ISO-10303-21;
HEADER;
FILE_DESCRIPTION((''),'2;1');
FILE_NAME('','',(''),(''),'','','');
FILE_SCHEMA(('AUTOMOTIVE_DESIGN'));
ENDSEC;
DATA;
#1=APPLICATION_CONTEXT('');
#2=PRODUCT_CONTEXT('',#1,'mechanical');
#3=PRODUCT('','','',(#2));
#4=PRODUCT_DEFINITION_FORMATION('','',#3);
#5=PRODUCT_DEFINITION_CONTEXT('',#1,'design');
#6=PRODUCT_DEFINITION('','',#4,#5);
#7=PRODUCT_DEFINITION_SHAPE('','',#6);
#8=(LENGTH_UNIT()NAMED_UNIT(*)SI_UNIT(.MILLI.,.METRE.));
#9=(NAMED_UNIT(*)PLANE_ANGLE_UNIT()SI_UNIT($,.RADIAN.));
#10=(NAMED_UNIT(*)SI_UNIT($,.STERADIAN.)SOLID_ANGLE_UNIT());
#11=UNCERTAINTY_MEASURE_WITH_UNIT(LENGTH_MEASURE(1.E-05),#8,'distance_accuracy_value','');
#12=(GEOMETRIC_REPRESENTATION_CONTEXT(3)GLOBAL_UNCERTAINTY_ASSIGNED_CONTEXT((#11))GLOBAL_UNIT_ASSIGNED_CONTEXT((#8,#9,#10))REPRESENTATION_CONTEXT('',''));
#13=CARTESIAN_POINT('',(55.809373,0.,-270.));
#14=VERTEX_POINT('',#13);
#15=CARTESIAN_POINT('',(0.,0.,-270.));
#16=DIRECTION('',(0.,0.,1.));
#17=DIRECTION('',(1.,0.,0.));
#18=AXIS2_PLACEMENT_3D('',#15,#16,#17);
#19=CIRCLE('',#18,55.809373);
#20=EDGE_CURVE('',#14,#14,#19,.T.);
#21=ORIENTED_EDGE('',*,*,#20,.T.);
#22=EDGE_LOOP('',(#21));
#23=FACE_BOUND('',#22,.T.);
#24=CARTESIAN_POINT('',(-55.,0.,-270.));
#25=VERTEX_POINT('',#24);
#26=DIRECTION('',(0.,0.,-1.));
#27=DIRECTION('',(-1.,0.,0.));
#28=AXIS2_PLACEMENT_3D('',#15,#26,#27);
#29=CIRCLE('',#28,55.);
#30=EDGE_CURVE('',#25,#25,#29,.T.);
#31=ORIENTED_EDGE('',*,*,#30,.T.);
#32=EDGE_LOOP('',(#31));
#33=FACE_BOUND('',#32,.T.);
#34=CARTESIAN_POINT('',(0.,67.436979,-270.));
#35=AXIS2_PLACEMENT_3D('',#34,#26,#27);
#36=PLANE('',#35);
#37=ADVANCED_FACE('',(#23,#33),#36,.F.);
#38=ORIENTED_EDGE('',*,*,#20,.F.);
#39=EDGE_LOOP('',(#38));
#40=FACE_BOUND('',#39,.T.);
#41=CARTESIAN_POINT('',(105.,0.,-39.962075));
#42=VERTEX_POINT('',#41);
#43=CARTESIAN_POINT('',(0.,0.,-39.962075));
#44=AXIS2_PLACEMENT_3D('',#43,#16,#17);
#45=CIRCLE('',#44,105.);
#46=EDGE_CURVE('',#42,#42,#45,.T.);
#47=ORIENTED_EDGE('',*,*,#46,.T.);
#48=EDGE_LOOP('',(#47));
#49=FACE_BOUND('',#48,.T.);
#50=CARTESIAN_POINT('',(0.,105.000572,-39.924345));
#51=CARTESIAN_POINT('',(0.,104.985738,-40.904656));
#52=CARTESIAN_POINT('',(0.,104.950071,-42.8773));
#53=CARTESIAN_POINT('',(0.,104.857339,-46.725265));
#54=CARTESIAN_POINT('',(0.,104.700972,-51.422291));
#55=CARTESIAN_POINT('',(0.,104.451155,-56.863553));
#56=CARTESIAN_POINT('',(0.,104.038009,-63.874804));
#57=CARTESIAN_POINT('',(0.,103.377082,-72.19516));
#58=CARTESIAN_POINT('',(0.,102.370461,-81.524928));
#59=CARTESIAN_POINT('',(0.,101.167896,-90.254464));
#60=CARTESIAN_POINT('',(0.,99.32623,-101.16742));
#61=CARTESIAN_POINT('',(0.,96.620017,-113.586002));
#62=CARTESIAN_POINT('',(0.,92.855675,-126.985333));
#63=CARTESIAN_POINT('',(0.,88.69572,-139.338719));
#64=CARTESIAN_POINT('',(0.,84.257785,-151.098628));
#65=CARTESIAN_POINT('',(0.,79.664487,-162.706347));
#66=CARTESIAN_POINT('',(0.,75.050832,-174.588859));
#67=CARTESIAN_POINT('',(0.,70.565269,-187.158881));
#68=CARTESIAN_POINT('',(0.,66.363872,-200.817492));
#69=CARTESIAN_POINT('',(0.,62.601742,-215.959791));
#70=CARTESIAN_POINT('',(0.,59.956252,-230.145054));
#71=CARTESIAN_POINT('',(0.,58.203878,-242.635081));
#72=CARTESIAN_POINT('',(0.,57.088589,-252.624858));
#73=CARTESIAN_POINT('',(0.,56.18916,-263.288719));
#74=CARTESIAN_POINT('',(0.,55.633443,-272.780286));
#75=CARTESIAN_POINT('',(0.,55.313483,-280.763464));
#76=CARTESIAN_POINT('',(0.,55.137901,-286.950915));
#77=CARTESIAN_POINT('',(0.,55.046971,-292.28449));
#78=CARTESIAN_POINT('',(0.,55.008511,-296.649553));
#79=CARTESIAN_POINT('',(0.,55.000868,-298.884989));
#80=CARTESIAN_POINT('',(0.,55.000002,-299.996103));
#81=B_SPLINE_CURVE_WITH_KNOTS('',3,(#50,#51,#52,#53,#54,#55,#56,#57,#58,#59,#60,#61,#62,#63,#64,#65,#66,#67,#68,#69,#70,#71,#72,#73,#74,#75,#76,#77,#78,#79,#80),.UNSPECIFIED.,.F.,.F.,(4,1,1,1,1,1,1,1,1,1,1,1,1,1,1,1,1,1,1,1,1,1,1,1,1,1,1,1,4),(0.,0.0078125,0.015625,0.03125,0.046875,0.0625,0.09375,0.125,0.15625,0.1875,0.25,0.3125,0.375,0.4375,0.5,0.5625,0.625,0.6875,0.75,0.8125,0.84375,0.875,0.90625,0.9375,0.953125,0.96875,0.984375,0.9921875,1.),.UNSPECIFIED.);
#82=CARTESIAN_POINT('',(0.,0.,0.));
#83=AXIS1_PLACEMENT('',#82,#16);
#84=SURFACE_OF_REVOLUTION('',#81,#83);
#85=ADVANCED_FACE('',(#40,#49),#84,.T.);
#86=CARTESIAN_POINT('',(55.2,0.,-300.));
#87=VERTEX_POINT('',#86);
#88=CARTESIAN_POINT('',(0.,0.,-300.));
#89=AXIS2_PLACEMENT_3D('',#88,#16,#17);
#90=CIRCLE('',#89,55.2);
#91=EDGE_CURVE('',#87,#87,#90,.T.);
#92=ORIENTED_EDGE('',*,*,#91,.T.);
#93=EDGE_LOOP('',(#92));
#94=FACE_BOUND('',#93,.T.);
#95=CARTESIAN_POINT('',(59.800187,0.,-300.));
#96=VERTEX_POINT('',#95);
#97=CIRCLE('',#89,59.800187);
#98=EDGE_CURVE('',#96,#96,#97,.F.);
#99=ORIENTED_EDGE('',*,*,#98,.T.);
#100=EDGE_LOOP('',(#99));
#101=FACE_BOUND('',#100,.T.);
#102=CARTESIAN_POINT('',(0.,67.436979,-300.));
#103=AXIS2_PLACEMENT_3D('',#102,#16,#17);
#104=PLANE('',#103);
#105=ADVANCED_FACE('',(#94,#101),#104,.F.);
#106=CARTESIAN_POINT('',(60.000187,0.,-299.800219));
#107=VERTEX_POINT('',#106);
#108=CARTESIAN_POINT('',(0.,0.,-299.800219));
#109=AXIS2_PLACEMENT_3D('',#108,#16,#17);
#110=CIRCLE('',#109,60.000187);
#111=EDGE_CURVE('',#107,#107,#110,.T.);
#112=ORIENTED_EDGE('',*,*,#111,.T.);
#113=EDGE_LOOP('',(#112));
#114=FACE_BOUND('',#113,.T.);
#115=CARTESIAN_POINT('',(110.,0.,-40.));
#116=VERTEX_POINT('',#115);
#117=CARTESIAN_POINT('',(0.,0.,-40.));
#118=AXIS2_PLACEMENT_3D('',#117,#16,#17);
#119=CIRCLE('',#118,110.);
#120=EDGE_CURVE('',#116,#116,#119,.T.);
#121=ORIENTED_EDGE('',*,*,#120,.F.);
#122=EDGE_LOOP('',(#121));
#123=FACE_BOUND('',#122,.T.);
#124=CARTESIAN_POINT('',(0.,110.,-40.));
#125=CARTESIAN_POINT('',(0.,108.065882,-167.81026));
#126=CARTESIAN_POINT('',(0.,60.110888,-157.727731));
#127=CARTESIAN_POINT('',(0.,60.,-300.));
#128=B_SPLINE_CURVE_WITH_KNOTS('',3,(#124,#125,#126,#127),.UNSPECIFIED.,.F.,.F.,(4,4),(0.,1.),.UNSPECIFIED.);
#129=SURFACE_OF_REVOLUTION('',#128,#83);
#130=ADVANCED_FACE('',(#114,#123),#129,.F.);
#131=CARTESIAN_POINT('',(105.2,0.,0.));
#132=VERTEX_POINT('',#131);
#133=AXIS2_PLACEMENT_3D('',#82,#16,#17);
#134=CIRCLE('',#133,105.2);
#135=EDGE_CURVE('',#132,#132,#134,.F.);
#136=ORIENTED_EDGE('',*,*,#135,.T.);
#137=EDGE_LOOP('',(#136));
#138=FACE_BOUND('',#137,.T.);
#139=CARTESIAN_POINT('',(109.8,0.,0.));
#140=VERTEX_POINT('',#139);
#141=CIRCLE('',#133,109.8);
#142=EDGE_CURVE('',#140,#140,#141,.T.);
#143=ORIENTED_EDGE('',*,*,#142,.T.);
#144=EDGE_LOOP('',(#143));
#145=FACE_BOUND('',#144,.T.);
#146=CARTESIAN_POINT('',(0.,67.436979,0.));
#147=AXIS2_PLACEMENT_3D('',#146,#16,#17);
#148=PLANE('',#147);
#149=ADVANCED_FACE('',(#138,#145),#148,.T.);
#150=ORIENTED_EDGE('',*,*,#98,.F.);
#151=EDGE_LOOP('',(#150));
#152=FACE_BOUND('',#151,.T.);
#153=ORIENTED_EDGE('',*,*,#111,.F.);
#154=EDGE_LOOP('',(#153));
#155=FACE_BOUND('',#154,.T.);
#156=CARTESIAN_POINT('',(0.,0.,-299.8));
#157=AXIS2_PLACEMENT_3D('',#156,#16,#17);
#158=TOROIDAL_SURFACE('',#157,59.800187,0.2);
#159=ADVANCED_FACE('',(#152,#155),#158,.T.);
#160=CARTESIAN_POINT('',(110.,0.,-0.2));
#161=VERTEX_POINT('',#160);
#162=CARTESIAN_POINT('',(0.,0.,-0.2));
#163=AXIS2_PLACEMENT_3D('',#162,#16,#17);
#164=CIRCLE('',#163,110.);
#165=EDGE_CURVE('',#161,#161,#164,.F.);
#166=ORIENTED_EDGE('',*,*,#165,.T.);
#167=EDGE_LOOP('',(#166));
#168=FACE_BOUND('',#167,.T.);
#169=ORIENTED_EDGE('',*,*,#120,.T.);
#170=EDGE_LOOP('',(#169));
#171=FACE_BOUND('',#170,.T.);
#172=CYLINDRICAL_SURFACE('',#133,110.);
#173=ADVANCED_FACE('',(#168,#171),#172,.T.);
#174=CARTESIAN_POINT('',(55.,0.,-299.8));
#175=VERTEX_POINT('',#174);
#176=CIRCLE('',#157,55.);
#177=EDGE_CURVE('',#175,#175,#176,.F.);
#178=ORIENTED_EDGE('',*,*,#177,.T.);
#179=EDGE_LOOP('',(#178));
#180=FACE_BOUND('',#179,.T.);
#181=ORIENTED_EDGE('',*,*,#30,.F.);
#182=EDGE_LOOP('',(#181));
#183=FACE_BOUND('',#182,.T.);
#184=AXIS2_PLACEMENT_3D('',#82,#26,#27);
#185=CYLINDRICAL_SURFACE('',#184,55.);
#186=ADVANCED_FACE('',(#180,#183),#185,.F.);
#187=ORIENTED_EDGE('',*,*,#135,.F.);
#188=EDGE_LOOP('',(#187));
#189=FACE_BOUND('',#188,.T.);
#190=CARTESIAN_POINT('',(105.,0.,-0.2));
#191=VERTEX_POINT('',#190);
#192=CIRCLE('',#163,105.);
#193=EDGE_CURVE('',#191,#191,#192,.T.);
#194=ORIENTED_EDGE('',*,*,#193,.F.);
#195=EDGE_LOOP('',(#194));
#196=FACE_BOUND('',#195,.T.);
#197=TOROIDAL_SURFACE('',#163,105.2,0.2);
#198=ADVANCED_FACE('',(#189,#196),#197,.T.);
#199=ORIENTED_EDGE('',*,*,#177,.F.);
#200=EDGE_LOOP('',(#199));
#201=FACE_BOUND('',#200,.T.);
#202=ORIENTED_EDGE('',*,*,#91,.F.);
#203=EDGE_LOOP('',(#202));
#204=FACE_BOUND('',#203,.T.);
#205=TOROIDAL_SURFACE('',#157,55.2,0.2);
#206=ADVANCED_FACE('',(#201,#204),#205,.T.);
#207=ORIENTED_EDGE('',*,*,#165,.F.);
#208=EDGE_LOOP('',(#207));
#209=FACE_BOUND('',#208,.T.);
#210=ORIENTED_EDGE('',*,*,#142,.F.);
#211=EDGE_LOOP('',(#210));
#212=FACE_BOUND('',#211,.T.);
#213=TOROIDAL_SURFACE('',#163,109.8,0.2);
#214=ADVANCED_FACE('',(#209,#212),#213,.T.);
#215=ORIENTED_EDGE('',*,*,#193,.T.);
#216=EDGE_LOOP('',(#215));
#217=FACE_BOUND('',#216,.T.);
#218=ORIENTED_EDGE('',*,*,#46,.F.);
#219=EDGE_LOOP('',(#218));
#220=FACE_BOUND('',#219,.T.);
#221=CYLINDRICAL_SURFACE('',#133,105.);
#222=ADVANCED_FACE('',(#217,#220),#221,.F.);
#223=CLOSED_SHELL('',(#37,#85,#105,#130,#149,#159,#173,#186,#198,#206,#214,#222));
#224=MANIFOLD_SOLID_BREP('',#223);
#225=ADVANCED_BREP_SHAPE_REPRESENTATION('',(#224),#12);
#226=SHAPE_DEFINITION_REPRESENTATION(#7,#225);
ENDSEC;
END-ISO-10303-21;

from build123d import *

# Parameters (mm, degrees)
SKETCH3_R          = 55
CUT_EXTRUDE1_DEPTH = 301
FILLET1_R          = 0.2


with BuildPart() as part:
    # Sketch1 → Revolve1 (revolve)
    with BuildSketch(Plane(origin=(0, 0, 0), x_dir=(0, 0, -1), z_dir=(1, 0, 0))):
        Polygon((40, 110), (0, 110), (0, 105), (39.962075489, 105), (40, 105), align=None)
        with BuildLine():
            add(Edge.make_bspline(
                [(40, 110), (167.810260187, 108.065881674), (157.727730686, 60.110887647), (300, 60)],
                knots=[0, 0, 0, 0, 1, 1, 1, 1], degree=3))
            Line((40, 110), (40, 105))
            Line((40, 105), (39.962075489, 105))
            add(Edge.make_bspline(
                [(39.962075489, 105), (40.929960137, 104.985279631), (42.889640848, 104.94977384), (46.725264587, 104.857338815), (51.42229057, 104.700972371), (56.863552667, 104.451154588), (63.874803799, 104.038009353), (72.195159933, 103.377081586), (81.524927631, 102.370461384), (90.254463852, 101.167896472), (101.167419574, 99.32622961), (113.586002402, 96.620016504), (126.985333476, 92.855675215), (139.338719286, 88.695720496), (151.098628178, 84.257785223), (162.706347452, 79.664487009), (174.588858932, 75.050832351), (187.158880915, 70.565269184), (200.817492413, 66.363871547), (215.959791253, 62.601742323), (230.145053896, 59.956252343), (242.63508141, 58.203877587), (252.624857821, 57.088589246), (261.817748058, 56.313227436), (267.760458444, 55.935197653), (270, 55.809372848)],
                knots=[0.000100222, 0.000100222, 0.000100222, 0.000100222, 0.0078125, 0.015625, 0.03125, 0.046875, 0.0625, 0.09375, 0.125, 0.15625, 0.1875, 0.25, 0.3125, 0.375, 0.4375, 0.5, 0.5625, 0.625, 0.6875, 0.75, 0.8125, 0.84375, 0.875, 0.90625, 0.924568143, 0.924568143, 0.924568143, 0.924568143], degree=3))
            Line((270, 55.809372848), (270, 60))
            Line((270, 60), (300, 60))
        make_face()
        Polygon((300, 0), (300, 60), (270, 60), (270, 55.809372848), (270, 0), align=None)
    revolve(axis=Axis((0, 0, 0), (0, 0, -1)))

    # Sketch3 → Cut-Extrude1 (cut, through all)
    with BuildSketch(Plane(origin=(0, 0, -300), x_dir=(-1, 0, 0), z_dir=(0, 0, -1))):
        Circle(SKETCH3_R)
    extrude(amount=-CUT_EXTRUDE1_DEPTH, mode=Mode.SUBTRACT)

    # Fillet1
    fillet1_edges = [part.edges().sort_by_distance(p)[0] for p in [
        (55, 0, -300),
        (0, -105, 0),
        (0, -110, 0),
        (0, -60, -300),
    ]]
    fillet(fillet1_edges, radius=FILLET1_R)


solid = part.part
